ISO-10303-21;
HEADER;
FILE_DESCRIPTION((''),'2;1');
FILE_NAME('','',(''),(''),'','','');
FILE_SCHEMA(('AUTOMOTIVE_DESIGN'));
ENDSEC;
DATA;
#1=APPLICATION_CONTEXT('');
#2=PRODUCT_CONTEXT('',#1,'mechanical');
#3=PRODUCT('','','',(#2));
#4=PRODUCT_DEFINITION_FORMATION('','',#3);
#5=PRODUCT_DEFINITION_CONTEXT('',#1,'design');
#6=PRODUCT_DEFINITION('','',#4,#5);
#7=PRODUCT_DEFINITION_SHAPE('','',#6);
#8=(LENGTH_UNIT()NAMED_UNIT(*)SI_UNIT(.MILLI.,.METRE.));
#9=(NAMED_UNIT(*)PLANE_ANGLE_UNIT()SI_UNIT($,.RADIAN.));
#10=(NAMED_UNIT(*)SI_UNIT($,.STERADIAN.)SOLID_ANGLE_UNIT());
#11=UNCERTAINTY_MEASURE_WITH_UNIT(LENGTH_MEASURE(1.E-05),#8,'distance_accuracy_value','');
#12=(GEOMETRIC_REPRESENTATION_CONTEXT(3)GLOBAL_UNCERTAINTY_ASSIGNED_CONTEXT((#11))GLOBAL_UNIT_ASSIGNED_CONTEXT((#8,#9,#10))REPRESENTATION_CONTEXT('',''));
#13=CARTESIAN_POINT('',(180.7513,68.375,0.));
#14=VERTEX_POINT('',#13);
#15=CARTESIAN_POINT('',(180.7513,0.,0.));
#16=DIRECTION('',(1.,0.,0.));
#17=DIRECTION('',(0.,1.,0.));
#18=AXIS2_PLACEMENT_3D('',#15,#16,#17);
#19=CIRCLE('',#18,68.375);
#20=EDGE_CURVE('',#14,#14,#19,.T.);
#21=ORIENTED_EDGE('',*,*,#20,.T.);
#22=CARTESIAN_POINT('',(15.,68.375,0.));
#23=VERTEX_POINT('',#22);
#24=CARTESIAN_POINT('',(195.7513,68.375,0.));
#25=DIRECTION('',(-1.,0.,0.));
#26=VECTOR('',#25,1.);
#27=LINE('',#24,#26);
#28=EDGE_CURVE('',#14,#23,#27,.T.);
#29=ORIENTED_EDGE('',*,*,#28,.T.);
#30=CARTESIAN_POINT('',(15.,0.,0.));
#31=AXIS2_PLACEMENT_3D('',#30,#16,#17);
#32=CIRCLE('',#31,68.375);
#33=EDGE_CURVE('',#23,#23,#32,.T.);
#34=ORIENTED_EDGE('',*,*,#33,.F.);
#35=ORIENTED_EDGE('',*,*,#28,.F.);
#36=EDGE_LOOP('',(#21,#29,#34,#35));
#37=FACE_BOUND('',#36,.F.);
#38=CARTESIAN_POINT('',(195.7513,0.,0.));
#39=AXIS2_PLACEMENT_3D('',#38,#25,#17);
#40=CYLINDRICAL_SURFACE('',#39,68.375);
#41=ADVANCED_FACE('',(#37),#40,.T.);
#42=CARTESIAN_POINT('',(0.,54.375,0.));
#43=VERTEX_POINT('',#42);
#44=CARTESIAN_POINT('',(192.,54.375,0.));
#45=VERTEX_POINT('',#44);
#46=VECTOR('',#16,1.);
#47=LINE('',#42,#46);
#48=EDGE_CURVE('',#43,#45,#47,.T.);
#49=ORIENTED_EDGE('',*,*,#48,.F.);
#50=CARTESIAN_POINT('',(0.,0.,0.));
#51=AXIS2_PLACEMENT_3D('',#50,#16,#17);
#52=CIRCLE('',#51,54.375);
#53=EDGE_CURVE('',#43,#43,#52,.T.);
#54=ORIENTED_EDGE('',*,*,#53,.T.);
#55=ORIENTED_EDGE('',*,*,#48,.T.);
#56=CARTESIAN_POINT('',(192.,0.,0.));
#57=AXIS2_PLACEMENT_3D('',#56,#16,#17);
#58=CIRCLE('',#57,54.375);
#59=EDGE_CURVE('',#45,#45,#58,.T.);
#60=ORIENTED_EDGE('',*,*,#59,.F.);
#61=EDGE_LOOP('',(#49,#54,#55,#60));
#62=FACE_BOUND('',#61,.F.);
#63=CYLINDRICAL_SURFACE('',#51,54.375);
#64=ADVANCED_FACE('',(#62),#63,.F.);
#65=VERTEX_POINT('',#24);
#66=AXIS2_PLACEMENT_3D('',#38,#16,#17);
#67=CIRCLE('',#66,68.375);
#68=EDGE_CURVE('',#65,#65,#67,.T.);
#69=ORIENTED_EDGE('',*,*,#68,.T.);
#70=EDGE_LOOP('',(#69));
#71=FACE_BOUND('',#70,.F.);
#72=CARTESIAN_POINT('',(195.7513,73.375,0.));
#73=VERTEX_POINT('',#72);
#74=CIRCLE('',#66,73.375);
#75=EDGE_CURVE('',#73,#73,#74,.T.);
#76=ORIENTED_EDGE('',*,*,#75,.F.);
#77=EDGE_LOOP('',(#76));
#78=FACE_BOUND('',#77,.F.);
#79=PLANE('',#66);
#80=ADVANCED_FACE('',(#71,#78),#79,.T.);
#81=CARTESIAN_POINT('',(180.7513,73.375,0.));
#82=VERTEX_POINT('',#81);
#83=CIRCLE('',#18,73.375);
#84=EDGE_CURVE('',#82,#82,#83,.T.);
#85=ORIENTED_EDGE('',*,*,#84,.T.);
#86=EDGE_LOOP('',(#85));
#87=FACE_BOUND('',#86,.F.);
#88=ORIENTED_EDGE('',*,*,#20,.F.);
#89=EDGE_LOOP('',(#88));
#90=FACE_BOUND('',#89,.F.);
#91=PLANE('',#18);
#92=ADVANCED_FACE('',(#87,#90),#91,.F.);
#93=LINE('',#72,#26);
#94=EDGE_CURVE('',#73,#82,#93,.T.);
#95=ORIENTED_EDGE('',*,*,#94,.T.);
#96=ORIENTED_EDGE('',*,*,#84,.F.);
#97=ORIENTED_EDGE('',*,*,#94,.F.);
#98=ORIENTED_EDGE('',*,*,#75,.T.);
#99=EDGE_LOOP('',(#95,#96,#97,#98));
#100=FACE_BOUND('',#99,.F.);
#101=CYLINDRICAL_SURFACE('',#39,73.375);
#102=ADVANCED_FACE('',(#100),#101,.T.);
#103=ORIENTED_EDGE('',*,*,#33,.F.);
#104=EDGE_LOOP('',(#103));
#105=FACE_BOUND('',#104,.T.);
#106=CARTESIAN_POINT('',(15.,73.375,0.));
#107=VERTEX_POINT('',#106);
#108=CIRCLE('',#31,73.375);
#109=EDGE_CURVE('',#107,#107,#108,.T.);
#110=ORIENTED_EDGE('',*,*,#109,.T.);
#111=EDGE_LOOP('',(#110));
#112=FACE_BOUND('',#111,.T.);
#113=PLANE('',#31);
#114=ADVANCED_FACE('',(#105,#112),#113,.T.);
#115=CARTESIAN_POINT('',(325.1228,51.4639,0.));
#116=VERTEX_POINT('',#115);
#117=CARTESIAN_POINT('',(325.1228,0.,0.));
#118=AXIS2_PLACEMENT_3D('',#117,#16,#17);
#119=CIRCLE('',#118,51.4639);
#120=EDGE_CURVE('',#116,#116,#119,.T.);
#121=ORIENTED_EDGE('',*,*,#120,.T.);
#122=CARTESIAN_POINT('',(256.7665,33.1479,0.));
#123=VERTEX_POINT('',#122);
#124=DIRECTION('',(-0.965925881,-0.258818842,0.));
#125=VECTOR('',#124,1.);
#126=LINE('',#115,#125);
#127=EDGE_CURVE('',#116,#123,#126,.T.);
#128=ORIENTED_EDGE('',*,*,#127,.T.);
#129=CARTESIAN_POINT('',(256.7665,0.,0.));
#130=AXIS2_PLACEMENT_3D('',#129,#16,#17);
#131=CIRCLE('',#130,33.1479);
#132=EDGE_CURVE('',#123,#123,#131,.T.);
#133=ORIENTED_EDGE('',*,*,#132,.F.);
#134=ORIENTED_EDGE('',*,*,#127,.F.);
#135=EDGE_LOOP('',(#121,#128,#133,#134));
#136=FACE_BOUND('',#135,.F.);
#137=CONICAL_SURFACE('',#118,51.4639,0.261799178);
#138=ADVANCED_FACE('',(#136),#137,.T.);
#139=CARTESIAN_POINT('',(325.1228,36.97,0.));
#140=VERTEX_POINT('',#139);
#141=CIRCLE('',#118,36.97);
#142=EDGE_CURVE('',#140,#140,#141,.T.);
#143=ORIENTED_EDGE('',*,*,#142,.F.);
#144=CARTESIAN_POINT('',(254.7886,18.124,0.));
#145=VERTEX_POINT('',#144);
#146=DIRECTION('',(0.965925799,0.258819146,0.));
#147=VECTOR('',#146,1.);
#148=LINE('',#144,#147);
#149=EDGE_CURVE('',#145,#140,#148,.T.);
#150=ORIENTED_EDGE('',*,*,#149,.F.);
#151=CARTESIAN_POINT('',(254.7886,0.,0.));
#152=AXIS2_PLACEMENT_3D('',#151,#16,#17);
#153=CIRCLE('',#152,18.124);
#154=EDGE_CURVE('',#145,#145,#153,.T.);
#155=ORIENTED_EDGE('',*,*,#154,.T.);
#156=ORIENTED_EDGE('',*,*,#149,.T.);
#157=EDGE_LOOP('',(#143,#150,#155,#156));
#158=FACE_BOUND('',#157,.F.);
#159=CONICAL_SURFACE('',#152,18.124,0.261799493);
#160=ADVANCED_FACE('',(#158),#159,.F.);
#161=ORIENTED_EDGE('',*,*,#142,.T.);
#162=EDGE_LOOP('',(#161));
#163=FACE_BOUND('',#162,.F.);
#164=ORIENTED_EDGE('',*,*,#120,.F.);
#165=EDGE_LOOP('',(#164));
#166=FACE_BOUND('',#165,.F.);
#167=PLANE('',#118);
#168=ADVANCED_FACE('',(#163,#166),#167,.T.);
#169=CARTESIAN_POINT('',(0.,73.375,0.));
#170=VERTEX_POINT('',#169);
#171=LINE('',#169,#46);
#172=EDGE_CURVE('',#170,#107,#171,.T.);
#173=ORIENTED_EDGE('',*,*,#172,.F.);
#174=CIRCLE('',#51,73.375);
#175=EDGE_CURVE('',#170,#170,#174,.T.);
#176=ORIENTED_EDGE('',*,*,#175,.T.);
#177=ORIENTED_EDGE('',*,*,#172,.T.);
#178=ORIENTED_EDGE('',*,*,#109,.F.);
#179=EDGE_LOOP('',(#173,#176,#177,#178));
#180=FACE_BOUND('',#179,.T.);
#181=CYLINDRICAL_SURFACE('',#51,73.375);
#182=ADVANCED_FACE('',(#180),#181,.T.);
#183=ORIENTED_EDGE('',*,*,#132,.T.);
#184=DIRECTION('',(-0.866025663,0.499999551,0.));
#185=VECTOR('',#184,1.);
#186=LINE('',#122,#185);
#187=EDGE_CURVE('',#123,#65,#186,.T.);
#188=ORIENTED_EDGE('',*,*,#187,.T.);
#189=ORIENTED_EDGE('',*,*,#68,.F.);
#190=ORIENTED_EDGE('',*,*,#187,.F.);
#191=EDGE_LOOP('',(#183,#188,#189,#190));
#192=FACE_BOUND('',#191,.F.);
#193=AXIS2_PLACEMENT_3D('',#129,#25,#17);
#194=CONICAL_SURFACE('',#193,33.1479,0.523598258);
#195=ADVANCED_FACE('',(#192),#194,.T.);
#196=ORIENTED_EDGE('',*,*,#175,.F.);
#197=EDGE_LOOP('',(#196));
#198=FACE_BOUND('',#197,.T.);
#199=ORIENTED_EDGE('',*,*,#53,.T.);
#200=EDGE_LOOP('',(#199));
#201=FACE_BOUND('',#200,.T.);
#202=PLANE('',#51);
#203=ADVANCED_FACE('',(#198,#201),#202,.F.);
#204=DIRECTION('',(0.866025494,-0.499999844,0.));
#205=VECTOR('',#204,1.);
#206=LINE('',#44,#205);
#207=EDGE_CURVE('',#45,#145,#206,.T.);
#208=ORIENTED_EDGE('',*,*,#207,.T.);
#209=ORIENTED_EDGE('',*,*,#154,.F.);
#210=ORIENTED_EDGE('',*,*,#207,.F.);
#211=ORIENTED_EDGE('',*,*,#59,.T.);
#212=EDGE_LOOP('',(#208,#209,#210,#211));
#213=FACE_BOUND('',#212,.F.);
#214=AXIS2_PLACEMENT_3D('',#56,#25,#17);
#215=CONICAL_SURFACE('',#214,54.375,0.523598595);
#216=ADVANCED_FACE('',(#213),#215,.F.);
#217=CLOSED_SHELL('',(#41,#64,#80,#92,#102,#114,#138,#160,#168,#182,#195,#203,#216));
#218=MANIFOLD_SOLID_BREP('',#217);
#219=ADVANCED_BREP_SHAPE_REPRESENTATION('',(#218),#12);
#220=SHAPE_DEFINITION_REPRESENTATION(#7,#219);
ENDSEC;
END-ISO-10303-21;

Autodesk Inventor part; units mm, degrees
ref_plane "YZ Plane" through (0, 0, 0) normal (1, 0, 0) x (0, 1, 0)
ref_plane "XZ Plane" through (0, 0, 0) normal (0, 1, 0) x (-1, 0, 0)
ref_plane "XY Plane" through (0, 0, 0) normal (0, 0, 1) x (1, 0, 0)
sketch "Sketch1" plane through (0, 0, 0) normal (0, 0, 1) x (1, 0, 0)
  line L0 (0, 0) -> (0, 54.375) construction
  line L1 (0, 54.375) -> (192, 54.375)
  line L2 (0, 0) -> (524.135, 0)
  line L3 (254.7886, 18.124) -> (254.7886, 0) construction
  line L4 (192, 54.375) -> (254.7886, 18.124)
  line L5 (254.7886, 18.124) -> (325.1228, 36.97)
  line L6 (325.1228, 36.97) -> (325.1228, 0) construction
  line L7 (192, 54.375) -> (192, 0) construction
  line L8 (325.1228, 51.4639) -> (256.7665, 33.1479)
  line L9 (256.7665, 33.1479) -> (195.7513, 68.375)
  line L10 (195.7513, 68.375) -> (0, 68.375)
  line L11 (0, 54.375) -> (0, 68.375)
  line L12 (325.1228, 36.97) -> (325.1228, 51.4639)
  line L13 (0, 68.375) -> (0, 73.375)
  line L14 (0, 73.375) -> (15, 73.375)
  line L15 (15, 73.375) -> (15, 68.375)
  line L16 (195.7513, 68.375) -> (195.7513, 73.375)
  line L17 (195.7513, 73.375) -> (180.7513, 73.375)
  line L18 (180.7513, 73.375) -> (180.7513, 68.375)
  dimension "d0" = 54.375
  dimension "d1" = 192
  dimension "d2" = 18.124
  dimension "d3" = 30
  dimension "d4" = 15
  dimension "d5" = 36.97
  dimension "d6" = 14
  dimension "d8" = 5
  dimension "d9" = 15
  dimension "d10" = 5
  dimension "d11" = 15
revolve "Revolution1" add sketch "Sketch1" angle 360 about axis through (0, 0, 0) along (1, 0, 0)
sketch "Sketch2" plane through (0, 0, 0) normal (-1, 0, 0) x (0, 0, 1)
  point P0 (0, 0)
properties part number "concept 2"
